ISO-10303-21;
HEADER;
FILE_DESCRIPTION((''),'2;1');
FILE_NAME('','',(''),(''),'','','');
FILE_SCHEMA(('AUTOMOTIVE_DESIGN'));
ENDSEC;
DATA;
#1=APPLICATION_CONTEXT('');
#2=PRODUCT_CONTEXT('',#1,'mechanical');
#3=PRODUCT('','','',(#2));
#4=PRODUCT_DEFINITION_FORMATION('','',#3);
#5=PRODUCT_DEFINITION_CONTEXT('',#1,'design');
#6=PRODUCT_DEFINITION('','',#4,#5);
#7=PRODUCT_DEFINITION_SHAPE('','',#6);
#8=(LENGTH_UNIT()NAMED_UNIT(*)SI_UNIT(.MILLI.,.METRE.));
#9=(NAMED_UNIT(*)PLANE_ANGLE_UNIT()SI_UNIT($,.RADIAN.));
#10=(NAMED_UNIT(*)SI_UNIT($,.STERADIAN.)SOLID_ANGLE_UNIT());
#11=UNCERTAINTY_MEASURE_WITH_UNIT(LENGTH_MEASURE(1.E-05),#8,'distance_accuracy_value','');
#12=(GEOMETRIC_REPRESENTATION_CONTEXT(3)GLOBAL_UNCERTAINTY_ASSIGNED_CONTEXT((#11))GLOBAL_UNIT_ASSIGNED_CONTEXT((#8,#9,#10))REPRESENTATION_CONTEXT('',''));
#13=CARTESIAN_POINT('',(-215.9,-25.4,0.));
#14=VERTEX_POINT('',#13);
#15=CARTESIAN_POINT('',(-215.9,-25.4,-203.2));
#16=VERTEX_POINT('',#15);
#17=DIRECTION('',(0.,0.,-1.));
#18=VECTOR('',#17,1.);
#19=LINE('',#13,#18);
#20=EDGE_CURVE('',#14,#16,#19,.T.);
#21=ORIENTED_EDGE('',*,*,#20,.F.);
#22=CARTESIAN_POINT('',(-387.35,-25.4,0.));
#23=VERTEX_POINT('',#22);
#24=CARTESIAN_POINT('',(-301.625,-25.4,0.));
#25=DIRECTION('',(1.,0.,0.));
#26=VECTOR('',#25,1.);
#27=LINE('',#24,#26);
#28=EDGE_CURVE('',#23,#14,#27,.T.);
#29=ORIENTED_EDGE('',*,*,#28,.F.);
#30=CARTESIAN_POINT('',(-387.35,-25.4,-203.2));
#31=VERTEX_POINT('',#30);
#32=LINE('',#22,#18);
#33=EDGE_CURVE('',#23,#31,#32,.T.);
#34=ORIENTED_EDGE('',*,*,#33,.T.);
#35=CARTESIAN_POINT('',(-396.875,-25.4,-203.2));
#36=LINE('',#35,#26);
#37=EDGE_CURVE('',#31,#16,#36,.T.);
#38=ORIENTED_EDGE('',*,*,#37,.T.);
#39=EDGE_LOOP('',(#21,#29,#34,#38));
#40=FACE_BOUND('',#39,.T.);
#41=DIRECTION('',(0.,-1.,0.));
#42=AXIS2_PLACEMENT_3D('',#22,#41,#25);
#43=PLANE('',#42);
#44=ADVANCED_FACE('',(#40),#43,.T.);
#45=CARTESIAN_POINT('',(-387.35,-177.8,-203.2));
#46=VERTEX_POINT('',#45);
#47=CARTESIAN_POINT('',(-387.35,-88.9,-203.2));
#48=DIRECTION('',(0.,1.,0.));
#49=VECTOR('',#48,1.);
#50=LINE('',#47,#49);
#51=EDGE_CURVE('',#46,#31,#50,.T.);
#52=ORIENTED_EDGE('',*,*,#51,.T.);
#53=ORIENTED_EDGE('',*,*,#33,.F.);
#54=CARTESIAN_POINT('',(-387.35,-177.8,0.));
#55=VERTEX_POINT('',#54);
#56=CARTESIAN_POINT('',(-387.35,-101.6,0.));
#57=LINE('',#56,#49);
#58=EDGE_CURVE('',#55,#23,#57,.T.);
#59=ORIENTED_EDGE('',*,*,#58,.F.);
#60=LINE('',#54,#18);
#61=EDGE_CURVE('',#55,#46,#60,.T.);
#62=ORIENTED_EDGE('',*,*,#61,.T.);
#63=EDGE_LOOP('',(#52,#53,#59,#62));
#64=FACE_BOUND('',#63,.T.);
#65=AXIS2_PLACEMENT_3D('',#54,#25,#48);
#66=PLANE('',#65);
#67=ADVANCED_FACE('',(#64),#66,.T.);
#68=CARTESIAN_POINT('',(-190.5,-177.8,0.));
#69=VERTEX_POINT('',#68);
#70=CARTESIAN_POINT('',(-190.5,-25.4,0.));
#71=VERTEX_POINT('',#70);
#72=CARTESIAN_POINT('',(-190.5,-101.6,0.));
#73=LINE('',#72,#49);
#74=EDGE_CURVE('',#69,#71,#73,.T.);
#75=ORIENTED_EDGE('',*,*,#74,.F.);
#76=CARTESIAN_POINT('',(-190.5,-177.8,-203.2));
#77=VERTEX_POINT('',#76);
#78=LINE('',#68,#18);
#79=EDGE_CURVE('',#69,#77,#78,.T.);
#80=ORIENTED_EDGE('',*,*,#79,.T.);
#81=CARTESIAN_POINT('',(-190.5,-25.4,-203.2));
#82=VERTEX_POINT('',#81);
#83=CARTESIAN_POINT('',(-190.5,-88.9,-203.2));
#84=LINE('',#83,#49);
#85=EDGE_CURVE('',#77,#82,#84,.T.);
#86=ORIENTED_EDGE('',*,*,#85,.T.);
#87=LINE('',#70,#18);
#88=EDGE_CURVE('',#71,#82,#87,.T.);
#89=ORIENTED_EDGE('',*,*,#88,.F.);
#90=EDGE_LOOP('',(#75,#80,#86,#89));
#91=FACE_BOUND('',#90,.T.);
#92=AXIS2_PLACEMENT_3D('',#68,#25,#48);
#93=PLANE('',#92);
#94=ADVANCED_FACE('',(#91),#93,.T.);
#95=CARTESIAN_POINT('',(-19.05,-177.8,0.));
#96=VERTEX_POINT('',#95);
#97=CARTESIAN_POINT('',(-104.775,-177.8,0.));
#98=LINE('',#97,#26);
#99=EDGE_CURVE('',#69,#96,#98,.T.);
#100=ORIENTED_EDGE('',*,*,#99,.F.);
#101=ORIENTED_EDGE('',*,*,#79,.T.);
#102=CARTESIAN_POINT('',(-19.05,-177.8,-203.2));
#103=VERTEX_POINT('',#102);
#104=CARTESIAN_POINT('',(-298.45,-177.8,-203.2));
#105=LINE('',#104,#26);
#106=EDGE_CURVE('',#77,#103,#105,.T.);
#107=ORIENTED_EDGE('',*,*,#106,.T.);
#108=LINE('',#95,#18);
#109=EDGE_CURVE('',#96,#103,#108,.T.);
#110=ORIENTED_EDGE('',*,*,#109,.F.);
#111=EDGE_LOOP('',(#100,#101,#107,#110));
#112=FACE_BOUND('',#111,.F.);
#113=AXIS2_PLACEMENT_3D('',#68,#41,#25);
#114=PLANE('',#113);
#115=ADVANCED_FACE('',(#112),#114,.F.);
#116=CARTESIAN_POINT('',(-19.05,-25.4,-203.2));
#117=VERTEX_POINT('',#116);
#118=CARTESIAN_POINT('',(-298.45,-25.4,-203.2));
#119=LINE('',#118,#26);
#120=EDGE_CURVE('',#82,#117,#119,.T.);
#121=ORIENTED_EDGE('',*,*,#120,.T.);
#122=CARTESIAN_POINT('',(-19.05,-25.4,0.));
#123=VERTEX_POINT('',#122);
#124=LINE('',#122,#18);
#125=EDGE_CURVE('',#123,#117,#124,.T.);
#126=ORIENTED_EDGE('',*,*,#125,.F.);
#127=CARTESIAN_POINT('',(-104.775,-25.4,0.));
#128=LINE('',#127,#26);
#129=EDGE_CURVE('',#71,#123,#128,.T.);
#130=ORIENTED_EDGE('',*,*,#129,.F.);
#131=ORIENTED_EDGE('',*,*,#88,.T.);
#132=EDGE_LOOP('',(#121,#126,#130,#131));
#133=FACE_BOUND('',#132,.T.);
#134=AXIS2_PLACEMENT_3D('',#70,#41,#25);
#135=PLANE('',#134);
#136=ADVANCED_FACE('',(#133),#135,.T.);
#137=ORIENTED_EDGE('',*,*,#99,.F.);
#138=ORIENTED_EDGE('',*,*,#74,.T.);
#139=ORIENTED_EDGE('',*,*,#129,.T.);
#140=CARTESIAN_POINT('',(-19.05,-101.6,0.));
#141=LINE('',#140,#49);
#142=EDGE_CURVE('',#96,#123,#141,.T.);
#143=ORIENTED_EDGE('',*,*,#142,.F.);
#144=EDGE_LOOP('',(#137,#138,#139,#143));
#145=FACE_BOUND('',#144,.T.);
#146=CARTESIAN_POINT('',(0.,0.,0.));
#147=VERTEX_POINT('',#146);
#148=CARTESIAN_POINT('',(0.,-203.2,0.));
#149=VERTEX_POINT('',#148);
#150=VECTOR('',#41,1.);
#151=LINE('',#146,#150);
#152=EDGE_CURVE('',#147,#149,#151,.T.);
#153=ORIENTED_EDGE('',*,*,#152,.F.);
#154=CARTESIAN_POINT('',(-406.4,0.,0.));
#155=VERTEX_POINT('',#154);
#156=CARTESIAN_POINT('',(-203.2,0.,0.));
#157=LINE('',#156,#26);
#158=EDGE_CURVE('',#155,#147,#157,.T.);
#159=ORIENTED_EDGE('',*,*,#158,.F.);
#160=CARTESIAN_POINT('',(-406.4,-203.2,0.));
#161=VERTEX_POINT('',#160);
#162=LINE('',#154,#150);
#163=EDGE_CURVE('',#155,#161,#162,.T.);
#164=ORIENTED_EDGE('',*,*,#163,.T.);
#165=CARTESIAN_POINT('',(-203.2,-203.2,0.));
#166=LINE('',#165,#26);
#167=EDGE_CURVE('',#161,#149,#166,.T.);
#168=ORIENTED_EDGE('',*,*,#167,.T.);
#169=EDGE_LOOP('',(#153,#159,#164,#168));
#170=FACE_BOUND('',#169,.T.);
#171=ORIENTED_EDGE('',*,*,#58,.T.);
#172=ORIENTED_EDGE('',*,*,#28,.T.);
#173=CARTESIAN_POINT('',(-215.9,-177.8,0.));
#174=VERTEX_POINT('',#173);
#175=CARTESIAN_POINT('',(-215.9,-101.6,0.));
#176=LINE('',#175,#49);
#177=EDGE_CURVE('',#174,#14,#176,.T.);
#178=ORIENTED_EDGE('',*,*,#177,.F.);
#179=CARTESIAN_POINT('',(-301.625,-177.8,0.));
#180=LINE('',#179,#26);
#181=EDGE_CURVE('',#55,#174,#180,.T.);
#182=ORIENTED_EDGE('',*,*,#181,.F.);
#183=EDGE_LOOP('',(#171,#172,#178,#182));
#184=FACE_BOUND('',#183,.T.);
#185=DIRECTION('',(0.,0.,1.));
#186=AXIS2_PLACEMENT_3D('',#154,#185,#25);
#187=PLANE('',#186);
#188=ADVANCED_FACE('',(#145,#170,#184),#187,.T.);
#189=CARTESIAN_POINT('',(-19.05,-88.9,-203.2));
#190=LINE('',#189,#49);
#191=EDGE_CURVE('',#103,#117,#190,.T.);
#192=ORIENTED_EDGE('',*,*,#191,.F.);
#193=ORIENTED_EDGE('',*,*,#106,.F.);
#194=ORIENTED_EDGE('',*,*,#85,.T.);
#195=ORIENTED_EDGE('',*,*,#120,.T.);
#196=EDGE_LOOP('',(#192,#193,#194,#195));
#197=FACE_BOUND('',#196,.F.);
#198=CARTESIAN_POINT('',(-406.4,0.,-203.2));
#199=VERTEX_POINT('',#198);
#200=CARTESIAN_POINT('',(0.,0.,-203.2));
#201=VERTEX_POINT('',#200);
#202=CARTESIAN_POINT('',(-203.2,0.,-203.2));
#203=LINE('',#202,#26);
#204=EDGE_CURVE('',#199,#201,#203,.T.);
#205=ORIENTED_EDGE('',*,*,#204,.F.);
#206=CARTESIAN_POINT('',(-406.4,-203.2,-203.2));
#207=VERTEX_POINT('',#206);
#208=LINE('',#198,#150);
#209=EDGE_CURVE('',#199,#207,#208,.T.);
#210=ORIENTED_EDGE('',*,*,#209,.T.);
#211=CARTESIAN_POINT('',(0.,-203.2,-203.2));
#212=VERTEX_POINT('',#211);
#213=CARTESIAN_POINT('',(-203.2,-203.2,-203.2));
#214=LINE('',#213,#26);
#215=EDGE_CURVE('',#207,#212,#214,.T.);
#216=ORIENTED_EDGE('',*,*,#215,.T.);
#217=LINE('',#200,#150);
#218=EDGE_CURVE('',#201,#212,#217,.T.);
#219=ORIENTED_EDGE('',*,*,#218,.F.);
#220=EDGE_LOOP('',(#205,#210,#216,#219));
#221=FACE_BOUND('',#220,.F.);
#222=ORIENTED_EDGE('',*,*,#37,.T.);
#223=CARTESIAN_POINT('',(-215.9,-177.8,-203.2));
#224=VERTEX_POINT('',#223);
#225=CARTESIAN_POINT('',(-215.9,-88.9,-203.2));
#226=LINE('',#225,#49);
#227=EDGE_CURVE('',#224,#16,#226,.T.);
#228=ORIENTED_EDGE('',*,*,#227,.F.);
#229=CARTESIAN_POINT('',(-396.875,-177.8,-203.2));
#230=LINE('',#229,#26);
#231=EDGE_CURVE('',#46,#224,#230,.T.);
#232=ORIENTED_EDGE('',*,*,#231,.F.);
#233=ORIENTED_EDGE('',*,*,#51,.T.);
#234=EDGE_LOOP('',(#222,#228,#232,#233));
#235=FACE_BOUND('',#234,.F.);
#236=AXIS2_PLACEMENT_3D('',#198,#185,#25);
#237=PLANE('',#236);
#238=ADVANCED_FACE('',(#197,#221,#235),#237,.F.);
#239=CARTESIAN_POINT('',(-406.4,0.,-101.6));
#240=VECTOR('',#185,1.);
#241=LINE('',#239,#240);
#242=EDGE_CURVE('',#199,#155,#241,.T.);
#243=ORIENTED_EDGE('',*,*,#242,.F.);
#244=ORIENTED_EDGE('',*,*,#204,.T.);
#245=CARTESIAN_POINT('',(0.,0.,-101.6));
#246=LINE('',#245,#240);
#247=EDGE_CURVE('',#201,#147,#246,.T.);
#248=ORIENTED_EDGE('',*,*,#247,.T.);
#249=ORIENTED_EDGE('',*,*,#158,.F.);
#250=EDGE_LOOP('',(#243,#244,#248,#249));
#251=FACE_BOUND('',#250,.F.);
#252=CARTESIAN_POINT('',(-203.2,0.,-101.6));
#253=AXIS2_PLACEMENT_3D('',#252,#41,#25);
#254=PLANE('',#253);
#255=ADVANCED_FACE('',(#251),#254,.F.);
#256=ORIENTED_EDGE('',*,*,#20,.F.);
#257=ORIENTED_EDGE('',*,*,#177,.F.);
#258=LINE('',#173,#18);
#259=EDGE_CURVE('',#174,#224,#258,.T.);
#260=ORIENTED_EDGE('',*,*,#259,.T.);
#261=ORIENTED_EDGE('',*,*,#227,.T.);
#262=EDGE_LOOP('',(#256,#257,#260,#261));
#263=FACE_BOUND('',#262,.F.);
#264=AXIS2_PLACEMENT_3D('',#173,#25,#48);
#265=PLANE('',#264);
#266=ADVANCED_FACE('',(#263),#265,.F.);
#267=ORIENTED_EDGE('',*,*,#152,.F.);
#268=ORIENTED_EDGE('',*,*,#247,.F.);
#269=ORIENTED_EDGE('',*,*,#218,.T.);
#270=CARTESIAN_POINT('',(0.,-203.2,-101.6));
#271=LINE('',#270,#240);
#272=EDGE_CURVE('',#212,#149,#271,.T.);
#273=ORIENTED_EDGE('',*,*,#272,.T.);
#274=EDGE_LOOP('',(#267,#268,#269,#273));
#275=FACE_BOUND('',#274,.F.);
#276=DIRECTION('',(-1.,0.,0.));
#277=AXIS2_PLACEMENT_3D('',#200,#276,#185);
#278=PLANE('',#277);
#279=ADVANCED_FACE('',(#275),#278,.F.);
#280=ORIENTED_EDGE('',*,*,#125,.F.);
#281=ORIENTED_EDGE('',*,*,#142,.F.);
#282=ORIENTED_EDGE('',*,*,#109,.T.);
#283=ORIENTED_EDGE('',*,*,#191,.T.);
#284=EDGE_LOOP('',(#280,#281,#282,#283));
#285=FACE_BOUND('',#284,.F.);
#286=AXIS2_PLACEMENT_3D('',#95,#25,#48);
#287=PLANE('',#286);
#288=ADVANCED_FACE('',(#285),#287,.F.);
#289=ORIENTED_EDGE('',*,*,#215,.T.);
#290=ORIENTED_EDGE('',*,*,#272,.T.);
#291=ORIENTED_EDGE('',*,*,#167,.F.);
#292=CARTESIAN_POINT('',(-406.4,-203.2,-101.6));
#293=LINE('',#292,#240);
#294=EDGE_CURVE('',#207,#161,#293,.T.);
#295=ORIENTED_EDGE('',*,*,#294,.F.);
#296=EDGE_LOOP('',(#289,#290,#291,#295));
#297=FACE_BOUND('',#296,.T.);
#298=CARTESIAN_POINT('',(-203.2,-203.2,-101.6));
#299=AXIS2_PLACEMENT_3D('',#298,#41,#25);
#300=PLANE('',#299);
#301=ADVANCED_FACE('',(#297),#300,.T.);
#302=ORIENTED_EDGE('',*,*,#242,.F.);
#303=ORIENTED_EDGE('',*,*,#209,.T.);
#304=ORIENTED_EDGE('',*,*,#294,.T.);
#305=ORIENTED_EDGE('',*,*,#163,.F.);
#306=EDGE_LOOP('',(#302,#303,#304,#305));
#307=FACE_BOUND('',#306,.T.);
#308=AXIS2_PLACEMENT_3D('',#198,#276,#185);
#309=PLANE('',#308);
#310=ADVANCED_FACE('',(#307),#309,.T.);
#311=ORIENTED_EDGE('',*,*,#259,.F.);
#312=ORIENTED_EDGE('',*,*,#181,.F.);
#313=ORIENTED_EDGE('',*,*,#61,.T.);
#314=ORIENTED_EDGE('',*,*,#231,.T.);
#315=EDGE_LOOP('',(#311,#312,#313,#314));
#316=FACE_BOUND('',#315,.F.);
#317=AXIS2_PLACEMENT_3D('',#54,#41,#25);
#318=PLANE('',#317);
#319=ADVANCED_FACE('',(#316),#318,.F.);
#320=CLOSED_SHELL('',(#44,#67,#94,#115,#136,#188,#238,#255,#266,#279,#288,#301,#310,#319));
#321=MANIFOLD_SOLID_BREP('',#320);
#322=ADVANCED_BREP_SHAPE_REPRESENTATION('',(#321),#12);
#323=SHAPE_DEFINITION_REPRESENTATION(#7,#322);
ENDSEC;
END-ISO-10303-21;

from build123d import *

# Parameters (mm, degrees)
F0_W     = 406.4
F0_H     = 203.2
F1_DEPTH = 203.2
F2_W     = 171.45
F2_H     = 152.4
F3_DEPTH = 203.201


with BuildPart() as f1:
    # F0 (on Front) → F1 (new body)
    with BuildSketch(Plane.XZ):
        with Locations((-203.2, -101.6)):
            Rectangle(F0_W, F0_H)
    extrude(amount=F1_DEPTH)

    # F2 (on face) → F3 (cut, through all)
    with BuildSketch(Plane.XY):
        with Locations((-301.625, -101.6)):
            Rectangle(F2_W, F2_H)
        with Locations((-104.775, -101.6)):
            Rectangle(F2_W, F2_H)
    extrude(amount=-F3_DEPTH, mode=Mode.SUBTRACT)


solid = f1.part
